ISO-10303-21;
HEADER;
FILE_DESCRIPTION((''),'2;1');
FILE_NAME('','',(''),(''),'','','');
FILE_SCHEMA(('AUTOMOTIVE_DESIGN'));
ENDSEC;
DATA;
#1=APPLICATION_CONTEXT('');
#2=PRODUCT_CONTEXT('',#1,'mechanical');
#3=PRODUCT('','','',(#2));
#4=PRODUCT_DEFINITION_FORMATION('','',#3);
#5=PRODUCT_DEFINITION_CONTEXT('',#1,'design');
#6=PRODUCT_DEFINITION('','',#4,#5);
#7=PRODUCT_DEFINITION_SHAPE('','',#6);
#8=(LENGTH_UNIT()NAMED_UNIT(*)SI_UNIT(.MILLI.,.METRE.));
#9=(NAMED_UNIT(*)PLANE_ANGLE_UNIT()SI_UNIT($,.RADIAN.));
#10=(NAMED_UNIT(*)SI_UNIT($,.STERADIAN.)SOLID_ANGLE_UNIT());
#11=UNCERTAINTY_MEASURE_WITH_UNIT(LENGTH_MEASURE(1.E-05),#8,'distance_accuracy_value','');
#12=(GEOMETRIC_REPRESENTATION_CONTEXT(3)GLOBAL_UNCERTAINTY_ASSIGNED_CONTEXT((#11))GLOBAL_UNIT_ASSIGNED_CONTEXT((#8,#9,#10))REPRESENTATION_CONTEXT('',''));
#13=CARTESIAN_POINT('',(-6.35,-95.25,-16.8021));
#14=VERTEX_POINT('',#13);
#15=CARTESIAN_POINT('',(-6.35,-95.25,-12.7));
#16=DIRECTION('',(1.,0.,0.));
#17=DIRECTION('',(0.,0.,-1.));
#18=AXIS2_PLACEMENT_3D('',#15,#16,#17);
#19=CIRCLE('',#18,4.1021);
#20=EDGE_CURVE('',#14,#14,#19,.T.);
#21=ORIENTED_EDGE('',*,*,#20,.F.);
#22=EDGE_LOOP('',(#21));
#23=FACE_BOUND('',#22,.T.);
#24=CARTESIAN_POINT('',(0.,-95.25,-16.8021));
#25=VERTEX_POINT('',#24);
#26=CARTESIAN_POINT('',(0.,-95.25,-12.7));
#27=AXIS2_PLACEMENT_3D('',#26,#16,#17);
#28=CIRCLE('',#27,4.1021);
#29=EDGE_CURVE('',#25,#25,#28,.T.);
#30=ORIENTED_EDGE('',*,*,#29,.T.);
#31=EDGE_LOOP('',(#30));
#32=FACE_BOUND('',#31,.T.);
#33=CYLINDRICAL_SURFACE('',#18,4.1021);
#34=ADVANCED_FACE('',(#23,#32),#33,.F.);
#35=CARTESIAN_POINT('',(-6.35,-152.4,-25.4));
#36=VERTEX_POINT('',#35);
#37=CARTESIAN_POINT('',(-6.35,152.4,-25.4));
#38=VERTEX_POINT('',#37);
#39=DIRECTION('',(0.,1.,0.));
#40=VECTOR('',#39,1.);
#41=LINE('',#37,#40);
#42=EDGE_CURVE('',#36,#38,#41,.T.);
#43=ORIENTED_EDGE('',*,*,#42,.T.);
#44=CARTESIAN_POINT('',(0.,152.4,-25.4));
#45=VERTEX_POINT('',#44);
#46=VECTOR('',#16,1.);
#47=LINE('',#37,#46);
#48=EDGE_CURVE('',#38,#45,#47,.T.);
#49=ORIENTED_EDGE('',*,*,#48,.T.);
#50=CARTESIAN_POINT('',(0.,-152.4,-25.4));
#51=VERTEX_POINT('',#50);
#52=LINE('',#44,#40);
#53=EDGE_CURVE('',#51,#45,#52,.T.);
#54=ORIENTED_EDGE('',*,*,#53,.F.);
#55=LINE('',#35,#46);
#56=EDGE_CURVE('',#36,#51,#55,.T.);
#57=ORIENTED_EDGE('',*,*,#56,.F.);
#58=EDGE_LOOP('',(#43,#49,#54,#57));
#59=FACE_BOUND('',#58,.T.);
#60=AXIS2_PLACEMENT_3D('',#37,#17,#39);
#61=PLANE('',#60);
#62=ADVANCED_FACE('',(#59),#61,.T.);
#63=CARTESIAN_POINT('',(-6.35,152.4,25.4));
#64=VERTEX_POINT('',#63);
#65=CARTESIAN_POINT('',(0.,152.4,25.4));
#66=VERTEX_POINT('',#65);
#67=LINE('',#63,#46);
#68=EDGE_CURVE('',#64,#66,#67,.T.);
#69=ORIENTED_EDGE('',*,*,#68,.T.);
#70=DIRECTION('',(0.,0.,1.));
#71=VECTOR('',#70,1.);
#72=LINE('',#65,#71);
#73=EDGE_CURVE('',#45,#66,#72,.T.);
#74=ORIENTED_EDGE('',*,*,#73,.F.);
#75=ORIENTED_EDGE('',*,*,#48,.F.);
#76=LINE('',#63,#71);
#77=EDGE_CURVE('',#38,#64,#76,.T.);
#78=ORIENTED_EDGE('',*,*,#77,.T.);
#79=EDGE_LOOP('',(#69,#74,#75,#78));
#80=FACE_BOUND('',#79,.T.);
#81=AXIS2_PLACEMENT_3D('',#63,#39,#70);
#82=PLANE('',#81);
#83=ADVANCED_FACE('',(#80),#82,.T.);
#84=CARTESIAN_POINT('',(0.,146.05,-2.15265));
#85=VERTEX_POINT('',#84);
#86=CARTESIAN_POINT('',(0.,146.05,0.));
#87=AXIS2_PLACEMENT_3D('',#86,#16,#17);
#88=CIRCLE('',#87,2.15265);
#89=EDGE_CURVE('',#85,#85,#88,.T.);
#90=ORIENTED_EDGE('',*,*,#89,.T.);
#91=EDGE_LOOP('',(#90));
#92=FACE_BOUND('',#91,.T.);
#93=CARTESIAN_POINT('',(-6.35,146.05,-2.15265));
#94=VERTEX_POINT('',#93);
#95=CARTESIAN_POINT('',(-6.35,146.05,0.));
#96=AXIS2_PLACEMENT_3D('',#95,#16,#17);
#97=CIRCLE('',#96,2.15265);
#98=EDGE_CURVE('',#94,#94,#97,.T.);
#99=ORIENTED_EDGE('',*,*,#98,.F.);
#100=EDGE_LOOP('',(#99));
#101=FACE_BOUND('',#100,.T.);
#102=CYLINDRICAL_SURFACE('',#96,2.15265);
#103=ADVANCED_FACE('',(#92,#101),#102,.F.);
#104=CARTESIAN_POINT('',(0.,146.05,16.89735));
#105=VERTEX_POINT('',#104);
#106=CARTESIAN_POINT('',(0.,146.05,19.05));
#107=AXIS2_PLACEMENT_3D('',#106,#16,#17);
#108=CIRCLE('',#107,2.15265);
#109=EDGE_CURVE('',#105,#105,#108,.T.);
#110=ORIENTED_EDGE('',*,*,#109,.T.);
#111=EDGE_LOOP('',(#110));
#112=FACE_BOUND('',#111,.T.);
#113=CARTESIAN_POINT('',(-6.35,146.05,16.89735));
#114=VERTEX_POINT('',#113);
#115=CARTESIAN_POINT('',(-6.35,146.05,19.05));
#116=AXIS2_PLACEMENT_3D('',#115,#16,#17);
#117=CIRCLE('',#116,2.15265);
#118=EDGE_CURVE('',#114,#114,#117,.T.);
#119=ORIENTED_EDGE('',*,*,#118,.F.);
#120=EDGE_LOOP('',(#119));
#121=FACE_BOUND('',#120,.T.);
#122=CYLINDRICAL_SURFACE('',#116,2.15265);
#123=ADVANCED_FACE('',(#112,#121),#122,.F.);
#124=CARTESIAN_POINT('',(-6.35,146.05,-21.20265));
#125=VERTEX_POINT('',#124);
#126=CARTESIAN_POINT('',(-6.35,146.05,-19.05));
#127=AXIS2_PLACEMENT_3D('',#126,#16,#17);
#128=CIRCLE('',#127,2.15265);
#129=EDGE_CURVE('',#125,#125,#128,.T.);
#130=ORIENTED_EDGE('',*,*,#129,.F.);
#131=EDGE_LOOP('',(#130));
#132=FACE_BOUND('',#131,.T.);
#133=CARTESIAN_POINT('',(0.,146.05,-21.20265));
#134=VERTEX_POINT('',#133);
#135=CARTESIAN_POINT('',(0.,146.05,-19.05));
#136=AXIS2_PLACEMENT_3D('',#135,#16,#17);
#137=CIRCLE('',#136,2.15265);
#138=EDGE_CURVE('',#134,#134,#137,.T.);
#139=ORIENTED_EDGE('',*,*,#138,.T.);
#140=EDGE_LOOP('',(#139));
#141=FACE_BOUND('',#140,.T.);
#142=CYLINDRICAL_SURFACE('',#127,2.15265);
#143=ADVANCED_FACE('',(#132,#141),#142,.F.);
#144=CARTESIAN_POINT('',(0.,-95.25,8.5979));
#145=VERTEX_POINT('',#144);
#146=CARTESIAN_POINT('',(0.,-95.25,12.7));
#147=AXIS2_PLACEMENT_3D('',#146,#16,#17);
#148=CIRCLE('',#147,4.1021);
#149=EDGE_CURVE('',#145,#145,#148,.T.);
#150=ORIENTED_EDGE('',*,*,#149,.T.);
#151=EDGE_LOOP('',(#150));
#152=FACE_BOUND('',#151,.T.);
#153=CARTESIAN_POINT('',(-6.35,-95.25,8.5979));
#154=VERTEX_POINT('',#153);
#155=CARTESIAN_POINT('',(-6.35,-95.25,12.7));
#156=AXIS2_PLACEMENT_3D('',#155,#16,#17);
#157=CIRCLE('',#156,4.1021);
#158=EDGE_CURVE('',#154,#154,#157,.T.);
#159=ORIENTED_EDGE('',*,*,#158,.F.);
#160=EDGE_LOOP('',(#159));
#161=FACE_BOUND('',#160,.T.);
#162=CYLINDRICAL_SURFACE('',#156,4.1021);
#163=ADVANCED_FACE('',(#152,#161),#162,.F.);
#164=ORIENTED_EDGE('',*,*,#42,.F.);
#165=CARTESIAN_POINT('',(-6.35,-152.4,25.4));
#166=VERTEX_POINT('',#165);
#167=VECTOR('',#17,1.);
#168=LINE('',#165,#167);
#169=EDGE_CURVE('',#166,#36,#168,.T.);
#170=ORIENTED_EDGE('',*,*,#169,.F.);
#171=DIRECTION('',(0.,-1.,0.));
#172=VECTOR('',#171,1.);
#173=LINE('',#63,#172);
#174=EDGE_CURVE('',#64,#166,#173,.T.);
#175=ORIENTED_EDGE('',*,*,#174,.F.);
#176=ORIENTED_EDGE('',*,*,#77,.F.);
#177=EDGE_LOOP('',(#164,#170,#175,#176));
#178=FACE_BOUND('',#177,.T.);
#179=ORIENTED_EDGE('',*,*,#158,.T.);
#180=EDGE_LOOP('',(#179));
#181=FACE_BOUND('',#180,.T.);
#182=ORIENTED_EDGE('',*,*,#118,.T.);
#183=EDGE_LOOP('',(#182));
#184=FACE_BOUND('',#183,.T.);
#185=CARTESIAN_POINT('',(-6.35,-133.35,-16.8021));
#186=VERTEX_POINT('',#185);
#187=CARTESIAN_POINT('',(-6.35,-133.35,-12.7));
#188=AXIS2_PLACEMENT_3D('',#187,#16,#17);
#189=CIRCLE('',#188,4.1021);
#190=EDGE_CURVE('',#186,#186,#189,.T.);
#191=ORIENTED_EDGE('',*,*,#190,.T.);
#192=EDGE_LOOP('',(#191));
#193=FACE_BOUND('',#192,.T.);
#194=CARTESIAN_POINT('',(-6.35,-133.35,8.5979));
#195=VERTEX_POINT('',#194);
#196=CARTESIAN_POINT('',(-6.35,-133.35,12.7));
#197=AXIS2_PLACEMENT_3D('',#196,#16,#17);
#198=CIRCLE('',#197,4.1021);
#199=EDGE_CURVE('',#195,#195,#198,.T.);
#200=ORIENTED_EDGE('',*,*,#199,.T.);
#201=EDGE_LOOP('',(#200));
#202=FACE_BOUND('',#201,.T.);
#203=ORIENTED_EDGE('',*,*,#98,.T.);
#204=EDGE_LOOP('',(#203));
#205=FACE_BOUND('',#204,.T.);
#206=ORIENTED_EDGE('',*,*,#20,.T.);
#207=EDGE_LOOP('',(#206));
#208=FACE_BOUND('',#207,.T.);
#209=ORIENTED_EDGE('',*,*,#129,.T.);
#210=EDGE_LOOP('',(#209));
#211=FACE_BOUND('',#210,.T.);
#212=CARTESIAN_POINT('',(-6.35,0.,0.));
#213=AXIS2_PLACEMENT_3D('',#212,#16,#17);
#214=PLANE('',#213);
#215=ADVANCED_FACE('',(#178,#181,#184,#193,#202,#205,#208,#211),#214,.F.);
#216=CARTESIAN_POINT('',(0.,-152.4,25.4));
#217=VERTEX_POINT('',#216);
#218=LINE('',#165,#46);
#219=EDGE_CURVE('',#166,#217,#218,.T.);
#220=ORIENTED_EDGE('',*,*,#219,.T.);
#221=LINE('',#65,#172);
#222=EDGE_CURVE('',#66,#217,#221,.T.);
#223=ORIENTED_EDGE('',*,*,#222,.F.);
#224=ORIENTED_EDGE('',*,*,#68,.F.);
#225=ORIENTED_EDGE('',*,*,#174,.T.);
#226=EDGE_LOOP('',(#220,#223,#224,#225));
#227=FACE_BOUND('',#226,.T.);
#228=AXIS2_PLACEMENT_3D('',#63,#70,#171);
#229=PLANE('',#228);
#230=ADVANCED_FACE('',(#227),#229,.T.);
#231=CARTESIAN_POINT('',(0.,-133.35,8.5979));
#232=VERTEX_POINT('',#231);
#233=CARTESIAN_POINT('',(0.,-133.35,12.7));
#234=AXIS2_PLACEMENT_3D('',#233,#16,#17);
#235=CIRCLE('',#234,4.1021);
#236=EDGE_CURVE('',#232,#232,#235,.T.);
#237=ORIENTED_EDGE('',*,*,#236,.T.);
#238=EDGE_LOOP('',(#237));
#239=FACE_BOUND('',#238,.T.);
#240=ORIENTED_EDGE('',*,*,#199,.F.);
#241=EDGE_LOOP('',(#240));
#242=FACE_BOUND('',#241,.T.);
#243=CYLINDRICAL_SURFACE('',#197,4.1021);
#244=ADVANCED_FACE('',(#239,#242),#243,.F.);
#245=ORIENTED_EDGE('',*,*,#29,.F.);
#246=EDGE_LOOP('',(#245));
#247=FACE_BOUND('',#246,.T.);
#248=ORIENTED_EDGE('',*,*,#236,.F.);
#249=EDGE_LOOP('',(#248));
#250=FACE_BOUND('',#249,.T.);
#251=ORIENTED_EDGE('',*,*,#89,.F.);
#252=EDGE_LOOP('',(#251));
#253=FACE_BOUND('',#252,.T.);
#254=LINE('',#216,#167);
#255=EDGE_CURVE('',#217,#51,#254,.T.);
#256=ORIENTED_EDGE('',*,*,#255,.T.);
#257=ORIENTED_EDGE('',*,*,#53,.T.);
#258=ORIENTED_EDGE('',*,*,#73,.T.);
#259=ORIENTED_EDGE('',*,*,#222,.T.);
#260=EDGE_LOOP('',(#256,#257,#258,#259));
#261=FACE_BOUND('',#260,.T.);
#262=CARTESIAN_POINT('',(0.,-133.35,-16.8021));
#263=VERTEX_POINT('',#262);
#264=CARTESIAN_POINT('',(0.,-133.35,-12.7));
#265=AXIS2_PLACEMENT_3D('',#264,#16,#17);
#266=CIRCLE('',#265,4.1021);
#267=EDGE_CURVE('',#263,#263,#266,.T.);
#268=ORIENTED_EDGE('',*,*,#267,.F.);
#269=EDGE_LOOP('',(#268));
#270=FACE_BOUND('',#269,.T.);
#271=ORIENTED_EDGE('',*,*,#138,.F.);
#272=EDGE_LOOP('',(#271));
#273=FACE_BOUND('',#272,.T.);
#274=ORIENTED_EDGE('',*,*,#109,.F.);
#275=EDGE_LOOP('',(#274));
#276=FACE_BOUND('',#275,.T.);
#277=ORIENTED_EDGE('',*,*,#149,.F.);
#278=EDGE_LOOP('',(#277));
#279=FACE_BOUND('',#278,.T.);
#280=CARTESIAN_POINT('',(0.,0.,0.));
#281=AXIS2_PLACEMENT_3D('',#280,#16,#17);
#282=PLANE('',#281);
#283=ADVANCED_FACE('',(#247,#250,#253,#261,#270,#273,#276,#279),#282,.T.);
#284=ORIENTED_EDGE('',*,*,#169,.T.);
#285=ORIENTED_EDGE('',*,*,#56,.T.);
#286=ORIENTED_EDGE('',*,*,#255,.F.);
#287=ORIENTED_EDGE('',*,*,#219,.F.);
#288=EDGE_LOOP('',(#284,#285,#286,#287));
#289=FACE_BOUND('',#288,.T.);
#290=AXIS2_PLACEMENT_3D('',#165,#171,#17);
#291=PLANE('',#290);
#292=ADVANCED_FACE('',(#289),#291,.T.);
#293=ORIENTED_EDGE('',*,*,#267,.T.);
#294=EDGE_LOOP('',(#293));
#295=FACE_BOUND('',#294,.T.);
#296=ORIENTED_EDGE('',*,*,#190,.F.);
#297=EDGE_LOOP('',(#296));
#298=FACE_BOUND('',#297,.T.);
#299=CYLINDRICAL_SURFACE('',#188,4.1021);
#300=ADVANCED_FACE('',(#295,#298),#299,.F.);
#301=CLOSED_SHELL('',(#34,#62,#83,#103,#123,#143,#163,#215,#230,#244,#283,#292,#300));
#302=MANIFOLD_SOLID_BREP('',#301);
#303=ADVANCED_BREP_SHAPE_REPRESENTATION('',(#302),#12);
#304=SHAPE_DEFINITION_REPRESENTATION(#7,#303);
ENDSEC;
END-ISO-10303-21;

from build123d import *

# Parameters (mm, degrees)
SKETCH1_W           = 50.8
SKETCH1_H           = 304.8
BOSS_EXTRUDE1_DEPTH = 6.35
SKETCH2_R           = 4.1021
SKETCH2_R_2         = 2.15265
CUT_EXTRUDE1_DEPTH  = 155.632604906


with BuildPart() as part:
    # Sketch1 → Boss-Extrude1 (new body)
    with BuildSketch(Plane(origin=(0, 0, 0), x_dir=(0, 0, -1), z_dir=(1, 0, 0))):
        Rectangle(SKETCH1_W, SKETCH1_H)
    extrude(amount=-BOSS_EXTRUDE1_DEPTH)

    # Sketch2 → Cut-Extrude1 (cut, through all)
    with BuildSketch(Plane(origin=(0, 0, 0), x_dir=(0, 0, -1), z_dir=(1, 0, 0))):
        with Locations((-12.7, -95.25)):
            Circle(SKETCH2_R)
        with Locations((12.7, -95.25)):
            Circle(SKETCH2_R)
        with Locations((12.7, -133.35)):
            Circle(SKETCH2_R)
        with Locations((-12.7, -133.35)):
            Circle(SKETCH2_R)
        with Locations((-19.05, 146.05)):
            Circle(SKETCH2_R_2)
        with Locations((0, 146.05)):
            Circle(SKETCH2_R_2)
        with Locations((19.05, 146.05)):
            Circle(SKETCH2_R_2)
    extrude(amount=-CUT_EXTRUDE1_DEPTH, mode=Mode.SUBTRACT)


solid = part.part
